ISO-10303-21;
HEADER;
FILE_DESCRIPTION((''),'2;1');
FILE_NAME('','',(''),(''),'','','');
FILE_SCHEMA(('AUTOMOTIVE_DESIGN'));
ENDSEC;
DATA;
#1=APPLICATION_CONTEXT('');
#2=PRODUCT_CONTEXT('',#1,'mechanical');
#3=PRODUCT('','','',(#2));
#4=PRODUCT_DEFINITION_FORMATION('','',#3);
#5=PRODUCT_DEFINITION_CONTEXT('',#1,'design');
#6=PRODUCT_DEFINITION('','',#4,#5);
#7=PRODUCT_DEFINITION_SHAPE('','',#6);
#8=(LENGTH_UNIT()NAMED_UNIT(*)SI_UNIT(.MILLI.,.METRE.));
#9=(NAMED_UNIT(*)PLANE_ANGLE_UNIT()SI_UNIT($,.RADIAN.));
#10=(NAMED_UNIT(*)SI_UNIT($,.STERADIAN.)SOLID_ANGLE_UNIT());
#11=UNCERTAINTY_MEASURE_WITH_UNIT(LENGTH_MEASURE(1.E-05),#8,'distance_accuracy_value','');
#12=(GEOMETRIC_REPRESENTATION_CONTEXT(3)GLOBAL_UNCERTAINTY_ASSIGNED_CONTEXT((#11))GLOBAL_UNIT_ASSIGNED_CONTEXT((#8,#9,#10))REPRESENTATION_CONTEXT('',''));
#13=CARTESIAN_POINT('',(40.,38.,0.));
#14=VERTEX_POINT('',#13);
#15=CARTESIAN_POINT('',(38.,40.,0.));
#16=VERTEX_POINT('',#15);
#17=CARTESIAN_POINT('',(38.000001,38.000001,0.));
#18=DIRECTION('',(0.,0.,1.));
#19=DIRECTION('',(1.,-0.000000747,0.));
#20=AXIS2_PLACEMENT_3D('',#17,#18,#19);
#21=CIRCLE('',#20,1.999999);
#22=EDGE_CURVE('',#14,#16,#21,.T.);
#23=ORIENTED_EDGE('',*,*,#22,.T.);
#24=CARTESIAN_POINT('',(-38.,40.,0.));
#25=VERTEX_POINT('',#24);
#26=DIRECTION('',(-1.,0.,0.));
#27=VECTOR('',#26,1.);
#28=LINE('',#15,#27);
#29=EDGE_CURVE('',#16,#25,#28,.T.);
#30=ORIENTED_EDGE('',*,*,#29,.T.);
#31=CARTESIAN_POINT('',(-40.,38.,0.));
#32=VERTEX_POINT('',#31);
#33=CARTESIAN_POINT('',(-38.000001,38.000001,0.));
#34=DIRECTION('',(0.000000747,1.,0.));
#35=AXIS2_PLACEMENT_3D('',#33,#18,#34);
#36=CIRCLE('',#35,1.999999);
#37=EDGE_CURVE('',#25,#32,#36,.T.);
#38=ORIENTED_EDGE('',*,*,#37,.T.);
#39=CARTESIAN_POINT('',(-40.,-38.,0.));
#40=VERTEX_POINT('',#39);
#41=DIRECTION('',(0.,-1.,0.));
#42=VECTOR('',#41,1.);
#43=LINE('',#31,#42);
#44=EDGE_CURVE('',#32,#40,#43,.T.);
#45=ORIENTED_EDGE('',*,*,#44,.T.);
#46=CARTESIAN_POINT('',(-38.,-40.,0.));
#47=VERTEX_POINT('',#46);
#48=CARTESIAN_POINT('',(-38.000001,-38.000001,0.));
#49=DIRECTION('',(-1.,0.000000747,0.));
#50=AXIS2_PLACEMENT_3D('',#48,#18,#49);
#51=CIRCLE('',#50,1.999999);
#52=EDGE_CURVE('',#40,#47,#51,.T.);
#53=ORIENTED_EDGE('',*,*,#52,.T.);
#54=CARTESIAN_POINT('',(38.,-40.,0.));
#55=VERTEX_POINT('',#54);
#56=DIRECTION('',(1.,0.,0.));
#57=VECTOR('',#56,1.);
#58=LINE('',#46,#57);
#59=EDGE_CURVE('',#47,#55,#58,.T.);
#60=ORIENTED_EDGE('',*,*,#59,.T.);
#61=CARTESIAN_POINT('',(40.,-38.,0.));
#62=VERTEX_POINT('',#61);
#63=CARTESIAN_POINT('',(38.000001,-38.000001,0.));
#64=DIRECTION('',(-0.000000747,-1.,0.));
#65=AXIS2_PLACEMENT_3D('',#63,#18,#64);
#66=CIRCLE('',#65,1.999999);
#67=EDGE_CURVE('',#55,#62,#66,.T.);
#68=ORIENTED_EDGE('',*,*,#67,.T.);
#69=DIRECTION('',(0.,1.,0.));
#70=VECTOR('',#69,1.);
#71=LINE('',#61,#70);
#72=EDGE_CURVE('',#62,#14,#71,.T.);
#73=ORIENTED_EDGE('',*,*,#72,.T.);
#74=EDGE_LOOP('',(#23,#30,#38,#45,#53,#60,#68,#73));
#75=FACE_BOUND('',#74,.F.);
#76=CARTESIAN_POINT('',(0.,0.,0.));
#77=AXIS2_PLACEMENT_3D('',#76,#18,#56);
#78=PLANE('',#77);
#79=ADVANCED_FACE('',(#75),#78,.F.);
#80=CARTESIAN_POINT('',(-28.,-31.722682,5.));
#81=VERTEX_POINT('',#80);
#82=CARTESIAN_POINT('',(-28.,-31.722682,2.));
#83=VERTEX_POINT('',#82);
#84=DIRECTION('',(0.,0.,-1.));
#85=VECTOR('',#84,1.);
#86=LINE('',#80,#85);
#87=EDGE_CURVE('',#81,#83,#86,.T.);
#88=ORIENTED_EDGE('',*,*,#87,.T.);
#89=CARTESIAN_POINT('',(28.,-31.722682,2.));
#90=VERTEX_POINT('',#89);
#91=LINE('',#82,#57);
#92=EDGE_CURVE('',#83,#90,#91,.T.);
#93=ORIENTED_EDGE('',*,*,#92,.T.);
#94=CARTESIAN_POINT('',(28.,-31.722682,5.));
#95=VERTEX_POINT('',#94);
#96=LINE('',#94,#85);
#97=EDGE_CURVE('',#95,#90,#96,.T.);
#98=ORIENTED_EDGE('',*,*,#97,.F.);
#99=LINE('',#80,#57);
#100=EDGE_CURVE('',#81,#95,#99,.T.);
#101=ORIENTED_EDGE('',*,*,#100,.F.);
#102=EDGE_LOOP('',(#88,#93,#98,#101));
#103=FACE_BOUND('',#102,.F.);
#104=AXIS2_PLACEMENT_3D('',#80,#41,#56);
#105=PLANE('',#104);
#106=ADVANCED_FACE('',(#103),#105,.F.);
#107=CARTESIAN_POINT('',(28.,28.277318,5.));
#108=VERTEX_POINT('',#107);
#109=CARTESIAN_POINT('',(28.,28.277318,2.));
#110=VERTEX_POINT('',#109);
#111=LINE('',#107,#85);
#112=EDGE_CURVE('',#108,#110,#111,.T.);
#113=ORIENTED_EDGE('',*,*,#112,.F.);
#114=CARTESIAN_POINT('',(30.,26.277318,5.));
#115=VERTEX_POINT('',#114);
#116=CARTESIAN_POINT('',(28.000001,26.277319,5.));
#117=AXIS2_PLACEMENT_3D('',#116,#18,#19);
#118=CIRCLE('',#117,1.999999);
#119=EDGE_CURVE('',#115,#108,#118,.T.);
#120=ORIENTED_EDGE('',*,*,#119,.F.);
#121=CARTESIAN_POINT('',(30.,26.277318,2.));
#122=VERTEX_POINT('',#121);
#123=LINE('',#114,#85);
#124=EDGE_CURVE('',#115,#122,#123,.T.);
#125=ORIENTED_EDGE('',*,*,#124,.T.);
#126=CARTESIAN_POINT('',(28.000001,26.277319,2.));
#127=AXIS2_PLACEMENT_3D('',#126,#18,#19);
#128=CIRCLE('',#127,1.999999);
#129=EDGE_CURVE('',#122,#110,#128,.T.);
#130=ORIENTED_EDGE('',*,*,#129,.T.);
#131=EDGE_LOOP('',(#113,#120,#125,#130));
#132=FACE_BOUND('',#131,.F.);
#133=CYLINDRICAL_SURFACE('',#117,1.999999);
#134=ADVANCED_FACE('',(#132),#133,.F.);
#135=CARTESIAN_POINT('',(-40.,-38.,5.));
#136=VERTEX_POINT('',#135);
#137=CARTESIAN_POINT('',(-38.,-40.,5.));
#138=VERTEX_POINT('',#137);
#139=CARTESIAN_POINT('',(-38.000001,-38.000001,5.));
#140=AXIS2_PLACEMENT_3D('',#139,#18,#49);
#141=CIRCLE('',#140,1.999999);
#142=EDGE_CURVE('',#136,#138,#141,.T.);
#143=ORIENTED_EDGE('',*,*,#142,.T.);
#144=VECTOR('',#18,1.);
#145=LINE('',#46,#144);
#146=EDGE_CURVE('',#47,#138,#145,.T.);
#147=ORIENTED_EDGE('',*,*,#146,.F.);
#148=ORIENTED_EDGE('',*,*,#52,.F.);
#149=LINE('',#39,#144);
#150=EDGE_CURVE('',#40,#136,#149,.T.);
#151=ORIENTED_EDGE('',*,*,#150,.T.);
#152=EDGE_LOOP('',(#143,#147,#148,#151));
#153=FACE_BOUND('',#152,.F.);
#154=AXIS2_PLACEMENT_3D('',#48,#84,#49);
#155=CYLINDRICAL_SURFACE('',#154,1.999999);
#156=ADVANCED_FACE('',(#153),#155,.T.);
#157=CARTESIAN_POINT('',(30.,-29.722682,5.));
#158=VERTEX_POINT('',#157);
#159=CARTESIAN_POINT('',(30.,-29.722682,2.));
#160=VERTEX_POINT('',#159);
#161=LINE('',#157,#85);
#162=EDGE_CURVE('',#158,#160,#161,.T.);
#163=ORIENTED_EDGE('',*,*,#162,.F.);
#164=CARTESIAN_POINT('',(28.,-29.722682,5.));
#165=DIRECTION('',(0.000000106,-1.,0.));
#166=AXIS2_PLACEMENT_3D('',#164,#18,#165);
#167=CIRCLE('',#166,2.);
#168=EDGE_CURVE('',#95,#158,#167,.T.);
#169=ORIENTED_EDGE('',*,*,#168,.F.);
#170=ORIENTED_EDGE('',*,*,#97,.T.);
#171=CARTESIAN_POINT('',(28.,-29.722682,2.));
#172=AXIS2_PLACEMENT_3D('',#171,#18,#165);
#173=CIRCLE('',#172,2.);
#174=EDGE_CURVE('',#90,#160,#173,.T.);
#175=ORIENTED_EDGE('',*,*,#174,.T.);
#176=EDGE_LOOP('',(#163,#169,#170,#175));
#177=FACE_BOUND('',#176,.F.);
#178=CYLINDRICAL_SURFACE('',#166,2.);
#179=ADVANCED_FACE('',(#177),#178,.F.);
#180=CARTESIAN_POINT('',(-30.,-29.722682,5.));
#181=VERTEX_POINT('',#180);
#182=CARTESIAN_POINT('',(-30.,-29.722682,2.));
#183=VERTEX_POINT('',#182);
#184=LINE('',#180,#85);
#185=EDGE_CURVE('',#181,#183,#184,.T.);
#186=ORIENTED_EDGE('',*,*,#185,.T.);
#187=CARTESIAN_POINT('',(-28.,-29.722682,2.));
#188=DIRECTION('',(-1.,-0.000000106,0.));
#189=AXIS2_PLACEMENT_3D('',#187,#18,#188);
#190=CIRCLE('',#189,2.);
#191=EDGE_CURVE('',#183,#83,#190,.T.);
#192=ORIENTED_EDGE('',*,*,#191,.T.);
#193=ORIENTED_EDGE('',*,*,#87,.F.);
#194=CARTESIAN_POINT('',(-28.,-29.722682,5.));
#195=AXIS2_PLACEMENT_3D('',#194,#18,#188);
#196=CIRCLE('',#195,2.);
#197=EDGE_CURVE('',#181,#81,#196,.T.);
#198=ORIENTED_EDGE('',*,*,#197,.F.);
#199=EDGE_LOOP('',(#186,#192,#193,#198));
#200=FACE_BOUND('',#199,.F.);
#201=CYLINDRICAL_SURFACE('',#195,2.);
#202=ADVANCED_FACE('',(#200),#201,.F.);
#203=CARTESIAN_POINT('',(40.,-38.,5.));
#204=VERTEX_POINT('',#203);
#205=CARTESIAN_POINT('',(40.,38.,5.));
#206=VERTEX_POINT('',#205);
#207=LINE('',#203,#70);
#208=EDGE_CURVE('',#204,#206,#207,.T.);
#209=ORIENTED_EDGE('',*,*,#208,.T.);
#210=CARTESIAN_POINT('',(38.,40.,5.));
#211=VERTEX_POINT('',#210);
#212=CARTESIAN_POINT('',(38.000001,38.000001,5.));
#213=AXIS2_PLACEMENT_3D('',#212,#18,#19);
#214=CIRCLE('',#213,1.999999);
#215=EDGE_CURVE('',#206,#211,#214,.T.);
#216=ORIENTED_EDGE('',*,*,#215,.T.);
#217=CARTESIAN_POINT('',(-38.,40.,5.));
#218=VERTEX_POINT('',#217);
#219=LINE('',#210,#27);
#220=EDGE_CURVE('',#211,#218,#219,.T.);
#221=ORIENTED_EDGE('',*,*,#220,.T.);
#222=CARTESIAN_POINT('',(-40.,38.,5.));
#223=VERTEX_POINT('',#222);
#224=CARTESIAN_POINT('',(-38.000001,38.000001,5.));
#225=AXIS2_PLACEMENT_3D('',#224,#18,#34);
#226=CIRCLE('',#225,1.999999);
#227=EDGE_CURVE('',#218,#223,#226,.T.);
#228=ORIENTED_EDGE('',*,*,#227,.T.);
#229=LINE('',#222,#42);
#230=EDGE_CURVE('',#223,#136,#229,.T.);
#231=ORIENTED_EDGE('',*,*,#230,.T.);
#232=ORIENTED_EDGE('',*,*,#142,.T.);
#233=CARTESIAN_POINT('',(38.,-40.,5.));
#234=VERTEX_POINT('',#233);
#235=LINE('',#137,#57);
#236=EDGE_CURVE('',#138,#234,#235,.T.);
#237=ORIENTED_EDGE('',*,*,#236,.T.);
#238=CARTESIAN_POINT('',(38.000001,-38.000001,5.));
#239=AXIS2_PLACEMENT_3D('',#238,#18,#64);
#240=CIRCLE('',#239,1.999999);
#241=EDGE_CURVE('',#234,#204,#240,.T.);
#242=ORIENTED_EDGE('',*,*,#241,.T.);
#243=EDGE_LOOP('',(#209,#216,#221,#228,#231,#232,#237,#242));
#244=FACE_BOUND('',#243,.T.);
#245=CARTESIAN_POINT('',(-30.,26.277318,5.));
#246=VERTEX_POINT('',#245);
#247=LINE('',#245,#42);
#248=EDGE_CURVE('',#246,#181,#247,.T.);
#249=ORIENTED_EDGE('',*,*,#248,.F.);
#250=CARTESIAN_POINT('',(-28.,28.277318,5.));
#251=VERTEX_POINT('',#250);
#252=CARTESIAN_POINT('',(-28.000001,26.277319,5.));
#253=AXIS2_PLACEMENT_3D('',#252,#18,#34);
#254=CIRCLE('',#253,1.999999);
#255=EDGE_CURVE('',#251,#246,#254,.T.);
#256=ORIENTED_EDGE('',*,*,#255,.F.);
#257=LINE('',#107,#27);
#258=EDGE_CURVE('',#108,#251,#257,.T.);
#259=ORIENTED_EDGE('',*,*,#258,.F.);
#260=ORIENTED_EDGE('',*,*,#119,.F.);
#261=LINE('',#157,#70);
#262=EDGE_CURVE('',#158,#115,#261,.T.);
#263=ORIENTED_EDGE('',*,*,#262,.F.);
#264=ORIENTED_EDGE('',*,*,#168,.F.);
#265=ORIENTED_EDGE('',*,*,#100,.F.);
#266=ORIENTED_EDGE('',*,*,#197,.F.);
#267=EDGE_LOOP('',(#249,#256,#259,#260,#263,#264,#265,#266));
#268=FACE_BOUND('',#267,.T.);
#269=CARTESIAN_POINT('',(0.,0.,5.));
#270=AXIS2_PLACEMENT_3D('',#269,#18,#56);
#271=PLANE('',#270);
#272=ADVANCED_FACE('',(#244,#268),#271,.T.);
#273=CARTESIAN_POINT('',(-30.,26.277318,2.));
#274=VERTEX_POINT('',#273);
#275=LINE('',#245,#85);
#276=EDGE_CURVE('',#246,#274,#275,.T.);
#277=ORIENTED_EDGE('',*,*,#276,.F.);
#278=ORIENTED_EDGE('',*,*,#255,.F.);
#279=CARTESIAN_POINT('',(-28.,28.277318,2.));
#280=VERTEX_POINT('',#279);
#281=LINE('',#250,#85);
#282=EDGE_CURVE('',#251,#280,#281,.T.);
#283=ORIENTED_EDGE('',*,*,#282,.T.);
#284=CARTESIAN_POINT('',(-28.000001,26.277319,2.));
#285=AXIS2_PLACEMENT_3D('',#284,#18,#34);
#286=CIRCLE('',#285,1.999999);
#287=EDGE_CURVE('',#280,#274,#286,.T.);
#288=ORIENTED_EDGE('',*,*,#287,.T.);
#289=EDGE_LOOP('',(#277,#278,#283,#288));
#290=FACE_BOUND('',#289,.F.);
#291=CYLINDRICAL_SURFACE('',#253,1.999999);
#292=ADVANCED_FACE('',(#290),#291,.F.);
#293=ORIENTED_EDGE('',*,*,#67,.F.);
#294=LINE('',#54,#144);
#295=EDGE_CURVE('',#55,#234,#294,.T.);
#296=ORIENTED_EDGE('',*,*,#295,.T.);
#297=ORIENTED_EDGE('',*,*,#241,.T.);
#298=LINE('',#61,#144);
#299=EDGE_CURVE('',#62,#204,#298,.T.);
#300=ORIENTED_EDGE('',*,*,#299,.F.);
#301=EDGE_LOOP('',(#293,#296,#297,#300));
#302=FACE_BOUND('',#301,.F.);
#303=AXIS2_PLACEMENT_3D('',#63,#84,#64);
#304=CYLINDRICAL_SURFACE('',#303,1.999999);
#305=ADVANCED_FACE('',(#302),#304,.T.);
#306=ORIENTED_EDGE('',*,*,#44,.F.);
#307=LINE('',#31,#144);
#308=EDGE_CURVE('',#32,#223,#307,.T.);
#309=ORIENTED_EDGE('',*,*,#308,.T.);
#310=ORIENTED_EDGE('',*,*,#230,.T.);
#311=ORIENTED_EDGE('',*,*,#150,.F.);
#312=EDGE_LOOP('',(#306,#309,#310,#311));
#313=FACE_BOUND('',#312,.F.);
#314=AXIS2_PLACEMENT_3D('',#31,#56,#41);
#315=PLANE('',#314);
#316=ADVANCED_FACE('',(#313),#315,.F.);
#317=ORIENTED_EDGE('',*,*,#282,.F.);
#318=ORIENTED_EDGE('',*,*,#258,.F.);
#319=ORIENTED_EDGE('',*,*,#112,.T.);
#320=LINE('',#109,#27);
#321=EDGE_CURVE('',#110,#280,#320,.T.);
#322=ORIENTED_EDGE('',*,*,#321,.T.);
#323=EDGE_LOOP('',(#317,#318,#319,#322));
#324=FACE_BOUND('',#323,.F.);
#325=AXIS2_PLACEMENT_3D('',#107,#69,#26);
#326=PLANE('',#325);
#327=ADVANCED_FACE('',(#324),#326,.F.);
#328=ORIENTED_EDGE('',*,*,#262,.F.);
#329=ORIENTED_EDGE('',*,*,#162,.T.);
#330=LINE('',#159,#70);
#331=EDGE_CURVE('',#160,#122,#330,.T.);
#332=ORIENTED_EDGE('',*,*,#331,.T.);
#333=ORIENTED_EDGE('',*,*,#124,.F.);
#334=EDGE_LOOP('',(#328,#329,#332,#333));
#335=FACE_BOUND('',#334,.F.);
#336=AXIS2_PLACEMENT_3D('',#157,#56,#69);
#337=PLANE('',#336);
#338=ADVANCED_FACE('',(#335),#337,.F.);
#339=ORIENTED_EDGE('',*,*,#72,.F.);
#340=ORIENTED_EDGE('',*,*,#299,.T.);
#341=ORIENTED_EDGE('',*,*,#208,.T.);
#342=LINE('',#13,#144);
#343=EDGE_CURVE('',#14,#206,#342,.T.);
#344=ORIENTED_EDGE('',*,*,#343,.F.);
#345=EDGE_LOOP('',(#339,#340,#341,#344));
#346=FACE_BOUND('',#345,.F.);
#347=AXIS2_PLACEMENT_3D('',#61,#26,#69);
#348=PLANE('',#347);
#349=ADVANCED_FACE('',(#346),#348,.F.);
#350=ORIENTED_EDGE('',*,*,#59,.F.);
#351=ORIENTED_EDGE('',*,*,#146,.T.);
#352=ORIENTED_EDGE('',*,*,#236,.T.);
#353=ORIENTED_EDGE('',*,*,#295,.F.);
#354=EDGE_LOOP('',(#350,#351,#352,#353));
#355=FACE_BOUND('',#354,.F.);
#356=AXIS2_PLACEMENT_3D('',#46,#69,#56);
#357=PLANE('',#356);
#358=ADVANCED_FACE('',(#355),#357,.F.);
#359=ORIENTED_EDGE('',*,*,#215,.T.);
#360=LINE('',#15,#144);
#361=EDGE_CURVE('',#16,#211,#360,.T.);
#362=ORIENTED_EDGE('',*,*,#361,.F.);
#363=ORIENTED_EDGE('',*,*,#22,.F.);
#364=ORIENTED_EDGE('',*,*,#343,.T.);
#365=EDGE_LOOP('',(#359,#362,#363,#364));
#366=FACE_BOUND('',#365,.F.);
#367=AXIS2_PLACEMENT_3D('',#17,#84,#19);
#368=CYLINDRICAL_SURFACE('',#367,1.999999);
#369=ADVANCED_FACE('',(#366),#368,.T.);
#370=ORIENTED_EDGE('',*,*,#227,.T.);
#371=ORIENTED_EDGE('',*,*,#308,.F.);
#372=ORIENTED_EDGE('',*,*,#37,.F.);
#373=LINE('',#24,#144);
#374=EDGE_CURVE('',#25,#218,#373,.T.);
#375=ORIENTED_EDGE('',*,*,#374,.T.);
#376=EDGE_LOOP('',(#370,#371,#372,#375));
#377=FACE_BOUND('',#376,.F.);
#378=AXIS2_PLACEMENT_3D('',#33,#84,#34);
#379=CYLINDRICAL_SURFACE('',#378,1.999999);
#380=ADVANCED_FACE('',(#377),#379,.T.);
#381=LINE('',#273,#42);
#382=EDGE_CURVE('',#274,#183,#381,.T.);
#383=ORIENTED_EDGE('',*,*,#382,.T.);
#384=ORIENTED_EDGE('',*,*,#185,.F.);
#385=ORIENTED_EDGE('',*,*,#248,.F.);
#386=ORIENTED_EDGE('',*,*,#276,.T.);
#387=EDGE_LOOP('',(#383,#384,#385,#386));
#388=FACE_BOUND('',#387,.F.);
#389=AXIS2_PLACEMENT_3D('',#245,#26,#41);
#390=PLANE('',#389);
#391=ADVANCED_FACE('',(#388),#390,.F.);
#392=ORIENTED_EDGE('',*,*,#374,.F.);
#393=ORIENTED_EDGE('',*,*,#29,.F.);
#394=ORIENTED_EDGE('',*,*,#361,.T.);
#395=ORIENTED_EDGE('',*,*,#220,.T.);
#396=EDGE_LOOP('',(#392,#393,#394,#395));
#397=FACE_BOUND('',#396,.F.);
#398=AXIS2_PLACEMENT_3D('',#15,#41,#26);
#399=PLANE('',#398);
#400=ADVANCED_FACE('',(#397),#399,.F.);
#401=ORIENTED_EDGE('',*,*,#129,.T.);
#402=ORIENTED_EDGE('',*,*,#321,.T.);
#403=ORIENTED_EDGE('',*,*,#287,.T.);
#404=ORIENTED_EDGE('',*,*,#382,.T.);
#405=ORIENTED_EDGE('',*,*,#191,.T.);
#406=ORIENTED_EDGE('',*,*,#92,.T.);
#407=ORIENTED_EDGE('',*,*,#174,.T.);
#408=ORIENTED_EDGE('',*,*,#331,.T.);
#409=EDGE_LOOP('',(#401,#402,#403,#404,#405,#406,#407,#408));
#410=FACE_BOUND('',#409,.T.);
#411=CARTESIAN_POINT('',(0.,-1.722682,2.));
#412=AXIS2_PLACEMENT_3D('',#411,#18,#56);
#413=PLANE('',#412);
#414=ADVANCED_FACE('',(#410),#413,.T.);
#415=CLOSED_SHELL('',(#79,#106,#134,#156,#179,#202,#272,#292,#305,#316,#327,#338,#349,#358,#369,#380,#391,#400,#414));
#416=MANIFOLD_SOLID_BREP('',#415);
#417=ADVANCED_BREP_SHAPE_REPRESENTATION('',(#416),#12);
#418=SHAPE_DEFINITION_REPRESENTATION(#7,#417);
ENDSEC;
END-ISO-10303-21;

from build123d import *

# Parameters (mm, degrees)
F1_DEPTH = 5
F3_DEPTH = 3


with BuildPart() as f1:
    # F0 (on Top) → F1 (new body)
    with BuildSketch(Plane.XY):
        with BuildLine():
            Line((38, 40), (-38, 40))
            ThreePointArc((-38, 40), (-39.414214, 39.414214), (-40, 38))
            Line((-40, 38), (-40, -38))
            ThreePointArc((-40, -38), (-39.414214, -39.414214), (-38, -40))
            Line((-38, -40), (38, -40))
            ThreePointArc((38, -40), (39.414214, -39.414214), (40, -38))
            Line((40, -38), (40, 38))
            ThreePointArc((40, 38), (39.414214, 39.414214), (38, 40))
        make_face()
    extrude(amount=F1_DEPTH)

    # F2 (on face) → F3 (cut)
    with BuildSketch(Plane.XY.offset(5)):
        with BuildLine():
            Line((28, 28.277318), (-28, 28.277318))
            ThreePointArc((-28, 28.277318), (-29.414214, 27.691532), (-30, 26.277318))
            Line((-30, 26.277318), (-30, -29.722682))
            ThreePointArc((-30, -29.722682), (-29.414214, -31.136895), (-28, -31.722682))
            Line((-28, -31.722682), (28, -31.722682))
            ThreePointArc((28, -31.722682), (29.414214, -31.136895), (30, -29.722682))
            Line((30, -29.722682), (30, 26.277318))
            ThreePointArc((30, 26.277318), (29.414214, 27.691532), (28, 28.277318))
        make_face()
    extrude(amount=-F3_DEPTH, mode=Mode.SUBTRACT)


solid = f1.part
